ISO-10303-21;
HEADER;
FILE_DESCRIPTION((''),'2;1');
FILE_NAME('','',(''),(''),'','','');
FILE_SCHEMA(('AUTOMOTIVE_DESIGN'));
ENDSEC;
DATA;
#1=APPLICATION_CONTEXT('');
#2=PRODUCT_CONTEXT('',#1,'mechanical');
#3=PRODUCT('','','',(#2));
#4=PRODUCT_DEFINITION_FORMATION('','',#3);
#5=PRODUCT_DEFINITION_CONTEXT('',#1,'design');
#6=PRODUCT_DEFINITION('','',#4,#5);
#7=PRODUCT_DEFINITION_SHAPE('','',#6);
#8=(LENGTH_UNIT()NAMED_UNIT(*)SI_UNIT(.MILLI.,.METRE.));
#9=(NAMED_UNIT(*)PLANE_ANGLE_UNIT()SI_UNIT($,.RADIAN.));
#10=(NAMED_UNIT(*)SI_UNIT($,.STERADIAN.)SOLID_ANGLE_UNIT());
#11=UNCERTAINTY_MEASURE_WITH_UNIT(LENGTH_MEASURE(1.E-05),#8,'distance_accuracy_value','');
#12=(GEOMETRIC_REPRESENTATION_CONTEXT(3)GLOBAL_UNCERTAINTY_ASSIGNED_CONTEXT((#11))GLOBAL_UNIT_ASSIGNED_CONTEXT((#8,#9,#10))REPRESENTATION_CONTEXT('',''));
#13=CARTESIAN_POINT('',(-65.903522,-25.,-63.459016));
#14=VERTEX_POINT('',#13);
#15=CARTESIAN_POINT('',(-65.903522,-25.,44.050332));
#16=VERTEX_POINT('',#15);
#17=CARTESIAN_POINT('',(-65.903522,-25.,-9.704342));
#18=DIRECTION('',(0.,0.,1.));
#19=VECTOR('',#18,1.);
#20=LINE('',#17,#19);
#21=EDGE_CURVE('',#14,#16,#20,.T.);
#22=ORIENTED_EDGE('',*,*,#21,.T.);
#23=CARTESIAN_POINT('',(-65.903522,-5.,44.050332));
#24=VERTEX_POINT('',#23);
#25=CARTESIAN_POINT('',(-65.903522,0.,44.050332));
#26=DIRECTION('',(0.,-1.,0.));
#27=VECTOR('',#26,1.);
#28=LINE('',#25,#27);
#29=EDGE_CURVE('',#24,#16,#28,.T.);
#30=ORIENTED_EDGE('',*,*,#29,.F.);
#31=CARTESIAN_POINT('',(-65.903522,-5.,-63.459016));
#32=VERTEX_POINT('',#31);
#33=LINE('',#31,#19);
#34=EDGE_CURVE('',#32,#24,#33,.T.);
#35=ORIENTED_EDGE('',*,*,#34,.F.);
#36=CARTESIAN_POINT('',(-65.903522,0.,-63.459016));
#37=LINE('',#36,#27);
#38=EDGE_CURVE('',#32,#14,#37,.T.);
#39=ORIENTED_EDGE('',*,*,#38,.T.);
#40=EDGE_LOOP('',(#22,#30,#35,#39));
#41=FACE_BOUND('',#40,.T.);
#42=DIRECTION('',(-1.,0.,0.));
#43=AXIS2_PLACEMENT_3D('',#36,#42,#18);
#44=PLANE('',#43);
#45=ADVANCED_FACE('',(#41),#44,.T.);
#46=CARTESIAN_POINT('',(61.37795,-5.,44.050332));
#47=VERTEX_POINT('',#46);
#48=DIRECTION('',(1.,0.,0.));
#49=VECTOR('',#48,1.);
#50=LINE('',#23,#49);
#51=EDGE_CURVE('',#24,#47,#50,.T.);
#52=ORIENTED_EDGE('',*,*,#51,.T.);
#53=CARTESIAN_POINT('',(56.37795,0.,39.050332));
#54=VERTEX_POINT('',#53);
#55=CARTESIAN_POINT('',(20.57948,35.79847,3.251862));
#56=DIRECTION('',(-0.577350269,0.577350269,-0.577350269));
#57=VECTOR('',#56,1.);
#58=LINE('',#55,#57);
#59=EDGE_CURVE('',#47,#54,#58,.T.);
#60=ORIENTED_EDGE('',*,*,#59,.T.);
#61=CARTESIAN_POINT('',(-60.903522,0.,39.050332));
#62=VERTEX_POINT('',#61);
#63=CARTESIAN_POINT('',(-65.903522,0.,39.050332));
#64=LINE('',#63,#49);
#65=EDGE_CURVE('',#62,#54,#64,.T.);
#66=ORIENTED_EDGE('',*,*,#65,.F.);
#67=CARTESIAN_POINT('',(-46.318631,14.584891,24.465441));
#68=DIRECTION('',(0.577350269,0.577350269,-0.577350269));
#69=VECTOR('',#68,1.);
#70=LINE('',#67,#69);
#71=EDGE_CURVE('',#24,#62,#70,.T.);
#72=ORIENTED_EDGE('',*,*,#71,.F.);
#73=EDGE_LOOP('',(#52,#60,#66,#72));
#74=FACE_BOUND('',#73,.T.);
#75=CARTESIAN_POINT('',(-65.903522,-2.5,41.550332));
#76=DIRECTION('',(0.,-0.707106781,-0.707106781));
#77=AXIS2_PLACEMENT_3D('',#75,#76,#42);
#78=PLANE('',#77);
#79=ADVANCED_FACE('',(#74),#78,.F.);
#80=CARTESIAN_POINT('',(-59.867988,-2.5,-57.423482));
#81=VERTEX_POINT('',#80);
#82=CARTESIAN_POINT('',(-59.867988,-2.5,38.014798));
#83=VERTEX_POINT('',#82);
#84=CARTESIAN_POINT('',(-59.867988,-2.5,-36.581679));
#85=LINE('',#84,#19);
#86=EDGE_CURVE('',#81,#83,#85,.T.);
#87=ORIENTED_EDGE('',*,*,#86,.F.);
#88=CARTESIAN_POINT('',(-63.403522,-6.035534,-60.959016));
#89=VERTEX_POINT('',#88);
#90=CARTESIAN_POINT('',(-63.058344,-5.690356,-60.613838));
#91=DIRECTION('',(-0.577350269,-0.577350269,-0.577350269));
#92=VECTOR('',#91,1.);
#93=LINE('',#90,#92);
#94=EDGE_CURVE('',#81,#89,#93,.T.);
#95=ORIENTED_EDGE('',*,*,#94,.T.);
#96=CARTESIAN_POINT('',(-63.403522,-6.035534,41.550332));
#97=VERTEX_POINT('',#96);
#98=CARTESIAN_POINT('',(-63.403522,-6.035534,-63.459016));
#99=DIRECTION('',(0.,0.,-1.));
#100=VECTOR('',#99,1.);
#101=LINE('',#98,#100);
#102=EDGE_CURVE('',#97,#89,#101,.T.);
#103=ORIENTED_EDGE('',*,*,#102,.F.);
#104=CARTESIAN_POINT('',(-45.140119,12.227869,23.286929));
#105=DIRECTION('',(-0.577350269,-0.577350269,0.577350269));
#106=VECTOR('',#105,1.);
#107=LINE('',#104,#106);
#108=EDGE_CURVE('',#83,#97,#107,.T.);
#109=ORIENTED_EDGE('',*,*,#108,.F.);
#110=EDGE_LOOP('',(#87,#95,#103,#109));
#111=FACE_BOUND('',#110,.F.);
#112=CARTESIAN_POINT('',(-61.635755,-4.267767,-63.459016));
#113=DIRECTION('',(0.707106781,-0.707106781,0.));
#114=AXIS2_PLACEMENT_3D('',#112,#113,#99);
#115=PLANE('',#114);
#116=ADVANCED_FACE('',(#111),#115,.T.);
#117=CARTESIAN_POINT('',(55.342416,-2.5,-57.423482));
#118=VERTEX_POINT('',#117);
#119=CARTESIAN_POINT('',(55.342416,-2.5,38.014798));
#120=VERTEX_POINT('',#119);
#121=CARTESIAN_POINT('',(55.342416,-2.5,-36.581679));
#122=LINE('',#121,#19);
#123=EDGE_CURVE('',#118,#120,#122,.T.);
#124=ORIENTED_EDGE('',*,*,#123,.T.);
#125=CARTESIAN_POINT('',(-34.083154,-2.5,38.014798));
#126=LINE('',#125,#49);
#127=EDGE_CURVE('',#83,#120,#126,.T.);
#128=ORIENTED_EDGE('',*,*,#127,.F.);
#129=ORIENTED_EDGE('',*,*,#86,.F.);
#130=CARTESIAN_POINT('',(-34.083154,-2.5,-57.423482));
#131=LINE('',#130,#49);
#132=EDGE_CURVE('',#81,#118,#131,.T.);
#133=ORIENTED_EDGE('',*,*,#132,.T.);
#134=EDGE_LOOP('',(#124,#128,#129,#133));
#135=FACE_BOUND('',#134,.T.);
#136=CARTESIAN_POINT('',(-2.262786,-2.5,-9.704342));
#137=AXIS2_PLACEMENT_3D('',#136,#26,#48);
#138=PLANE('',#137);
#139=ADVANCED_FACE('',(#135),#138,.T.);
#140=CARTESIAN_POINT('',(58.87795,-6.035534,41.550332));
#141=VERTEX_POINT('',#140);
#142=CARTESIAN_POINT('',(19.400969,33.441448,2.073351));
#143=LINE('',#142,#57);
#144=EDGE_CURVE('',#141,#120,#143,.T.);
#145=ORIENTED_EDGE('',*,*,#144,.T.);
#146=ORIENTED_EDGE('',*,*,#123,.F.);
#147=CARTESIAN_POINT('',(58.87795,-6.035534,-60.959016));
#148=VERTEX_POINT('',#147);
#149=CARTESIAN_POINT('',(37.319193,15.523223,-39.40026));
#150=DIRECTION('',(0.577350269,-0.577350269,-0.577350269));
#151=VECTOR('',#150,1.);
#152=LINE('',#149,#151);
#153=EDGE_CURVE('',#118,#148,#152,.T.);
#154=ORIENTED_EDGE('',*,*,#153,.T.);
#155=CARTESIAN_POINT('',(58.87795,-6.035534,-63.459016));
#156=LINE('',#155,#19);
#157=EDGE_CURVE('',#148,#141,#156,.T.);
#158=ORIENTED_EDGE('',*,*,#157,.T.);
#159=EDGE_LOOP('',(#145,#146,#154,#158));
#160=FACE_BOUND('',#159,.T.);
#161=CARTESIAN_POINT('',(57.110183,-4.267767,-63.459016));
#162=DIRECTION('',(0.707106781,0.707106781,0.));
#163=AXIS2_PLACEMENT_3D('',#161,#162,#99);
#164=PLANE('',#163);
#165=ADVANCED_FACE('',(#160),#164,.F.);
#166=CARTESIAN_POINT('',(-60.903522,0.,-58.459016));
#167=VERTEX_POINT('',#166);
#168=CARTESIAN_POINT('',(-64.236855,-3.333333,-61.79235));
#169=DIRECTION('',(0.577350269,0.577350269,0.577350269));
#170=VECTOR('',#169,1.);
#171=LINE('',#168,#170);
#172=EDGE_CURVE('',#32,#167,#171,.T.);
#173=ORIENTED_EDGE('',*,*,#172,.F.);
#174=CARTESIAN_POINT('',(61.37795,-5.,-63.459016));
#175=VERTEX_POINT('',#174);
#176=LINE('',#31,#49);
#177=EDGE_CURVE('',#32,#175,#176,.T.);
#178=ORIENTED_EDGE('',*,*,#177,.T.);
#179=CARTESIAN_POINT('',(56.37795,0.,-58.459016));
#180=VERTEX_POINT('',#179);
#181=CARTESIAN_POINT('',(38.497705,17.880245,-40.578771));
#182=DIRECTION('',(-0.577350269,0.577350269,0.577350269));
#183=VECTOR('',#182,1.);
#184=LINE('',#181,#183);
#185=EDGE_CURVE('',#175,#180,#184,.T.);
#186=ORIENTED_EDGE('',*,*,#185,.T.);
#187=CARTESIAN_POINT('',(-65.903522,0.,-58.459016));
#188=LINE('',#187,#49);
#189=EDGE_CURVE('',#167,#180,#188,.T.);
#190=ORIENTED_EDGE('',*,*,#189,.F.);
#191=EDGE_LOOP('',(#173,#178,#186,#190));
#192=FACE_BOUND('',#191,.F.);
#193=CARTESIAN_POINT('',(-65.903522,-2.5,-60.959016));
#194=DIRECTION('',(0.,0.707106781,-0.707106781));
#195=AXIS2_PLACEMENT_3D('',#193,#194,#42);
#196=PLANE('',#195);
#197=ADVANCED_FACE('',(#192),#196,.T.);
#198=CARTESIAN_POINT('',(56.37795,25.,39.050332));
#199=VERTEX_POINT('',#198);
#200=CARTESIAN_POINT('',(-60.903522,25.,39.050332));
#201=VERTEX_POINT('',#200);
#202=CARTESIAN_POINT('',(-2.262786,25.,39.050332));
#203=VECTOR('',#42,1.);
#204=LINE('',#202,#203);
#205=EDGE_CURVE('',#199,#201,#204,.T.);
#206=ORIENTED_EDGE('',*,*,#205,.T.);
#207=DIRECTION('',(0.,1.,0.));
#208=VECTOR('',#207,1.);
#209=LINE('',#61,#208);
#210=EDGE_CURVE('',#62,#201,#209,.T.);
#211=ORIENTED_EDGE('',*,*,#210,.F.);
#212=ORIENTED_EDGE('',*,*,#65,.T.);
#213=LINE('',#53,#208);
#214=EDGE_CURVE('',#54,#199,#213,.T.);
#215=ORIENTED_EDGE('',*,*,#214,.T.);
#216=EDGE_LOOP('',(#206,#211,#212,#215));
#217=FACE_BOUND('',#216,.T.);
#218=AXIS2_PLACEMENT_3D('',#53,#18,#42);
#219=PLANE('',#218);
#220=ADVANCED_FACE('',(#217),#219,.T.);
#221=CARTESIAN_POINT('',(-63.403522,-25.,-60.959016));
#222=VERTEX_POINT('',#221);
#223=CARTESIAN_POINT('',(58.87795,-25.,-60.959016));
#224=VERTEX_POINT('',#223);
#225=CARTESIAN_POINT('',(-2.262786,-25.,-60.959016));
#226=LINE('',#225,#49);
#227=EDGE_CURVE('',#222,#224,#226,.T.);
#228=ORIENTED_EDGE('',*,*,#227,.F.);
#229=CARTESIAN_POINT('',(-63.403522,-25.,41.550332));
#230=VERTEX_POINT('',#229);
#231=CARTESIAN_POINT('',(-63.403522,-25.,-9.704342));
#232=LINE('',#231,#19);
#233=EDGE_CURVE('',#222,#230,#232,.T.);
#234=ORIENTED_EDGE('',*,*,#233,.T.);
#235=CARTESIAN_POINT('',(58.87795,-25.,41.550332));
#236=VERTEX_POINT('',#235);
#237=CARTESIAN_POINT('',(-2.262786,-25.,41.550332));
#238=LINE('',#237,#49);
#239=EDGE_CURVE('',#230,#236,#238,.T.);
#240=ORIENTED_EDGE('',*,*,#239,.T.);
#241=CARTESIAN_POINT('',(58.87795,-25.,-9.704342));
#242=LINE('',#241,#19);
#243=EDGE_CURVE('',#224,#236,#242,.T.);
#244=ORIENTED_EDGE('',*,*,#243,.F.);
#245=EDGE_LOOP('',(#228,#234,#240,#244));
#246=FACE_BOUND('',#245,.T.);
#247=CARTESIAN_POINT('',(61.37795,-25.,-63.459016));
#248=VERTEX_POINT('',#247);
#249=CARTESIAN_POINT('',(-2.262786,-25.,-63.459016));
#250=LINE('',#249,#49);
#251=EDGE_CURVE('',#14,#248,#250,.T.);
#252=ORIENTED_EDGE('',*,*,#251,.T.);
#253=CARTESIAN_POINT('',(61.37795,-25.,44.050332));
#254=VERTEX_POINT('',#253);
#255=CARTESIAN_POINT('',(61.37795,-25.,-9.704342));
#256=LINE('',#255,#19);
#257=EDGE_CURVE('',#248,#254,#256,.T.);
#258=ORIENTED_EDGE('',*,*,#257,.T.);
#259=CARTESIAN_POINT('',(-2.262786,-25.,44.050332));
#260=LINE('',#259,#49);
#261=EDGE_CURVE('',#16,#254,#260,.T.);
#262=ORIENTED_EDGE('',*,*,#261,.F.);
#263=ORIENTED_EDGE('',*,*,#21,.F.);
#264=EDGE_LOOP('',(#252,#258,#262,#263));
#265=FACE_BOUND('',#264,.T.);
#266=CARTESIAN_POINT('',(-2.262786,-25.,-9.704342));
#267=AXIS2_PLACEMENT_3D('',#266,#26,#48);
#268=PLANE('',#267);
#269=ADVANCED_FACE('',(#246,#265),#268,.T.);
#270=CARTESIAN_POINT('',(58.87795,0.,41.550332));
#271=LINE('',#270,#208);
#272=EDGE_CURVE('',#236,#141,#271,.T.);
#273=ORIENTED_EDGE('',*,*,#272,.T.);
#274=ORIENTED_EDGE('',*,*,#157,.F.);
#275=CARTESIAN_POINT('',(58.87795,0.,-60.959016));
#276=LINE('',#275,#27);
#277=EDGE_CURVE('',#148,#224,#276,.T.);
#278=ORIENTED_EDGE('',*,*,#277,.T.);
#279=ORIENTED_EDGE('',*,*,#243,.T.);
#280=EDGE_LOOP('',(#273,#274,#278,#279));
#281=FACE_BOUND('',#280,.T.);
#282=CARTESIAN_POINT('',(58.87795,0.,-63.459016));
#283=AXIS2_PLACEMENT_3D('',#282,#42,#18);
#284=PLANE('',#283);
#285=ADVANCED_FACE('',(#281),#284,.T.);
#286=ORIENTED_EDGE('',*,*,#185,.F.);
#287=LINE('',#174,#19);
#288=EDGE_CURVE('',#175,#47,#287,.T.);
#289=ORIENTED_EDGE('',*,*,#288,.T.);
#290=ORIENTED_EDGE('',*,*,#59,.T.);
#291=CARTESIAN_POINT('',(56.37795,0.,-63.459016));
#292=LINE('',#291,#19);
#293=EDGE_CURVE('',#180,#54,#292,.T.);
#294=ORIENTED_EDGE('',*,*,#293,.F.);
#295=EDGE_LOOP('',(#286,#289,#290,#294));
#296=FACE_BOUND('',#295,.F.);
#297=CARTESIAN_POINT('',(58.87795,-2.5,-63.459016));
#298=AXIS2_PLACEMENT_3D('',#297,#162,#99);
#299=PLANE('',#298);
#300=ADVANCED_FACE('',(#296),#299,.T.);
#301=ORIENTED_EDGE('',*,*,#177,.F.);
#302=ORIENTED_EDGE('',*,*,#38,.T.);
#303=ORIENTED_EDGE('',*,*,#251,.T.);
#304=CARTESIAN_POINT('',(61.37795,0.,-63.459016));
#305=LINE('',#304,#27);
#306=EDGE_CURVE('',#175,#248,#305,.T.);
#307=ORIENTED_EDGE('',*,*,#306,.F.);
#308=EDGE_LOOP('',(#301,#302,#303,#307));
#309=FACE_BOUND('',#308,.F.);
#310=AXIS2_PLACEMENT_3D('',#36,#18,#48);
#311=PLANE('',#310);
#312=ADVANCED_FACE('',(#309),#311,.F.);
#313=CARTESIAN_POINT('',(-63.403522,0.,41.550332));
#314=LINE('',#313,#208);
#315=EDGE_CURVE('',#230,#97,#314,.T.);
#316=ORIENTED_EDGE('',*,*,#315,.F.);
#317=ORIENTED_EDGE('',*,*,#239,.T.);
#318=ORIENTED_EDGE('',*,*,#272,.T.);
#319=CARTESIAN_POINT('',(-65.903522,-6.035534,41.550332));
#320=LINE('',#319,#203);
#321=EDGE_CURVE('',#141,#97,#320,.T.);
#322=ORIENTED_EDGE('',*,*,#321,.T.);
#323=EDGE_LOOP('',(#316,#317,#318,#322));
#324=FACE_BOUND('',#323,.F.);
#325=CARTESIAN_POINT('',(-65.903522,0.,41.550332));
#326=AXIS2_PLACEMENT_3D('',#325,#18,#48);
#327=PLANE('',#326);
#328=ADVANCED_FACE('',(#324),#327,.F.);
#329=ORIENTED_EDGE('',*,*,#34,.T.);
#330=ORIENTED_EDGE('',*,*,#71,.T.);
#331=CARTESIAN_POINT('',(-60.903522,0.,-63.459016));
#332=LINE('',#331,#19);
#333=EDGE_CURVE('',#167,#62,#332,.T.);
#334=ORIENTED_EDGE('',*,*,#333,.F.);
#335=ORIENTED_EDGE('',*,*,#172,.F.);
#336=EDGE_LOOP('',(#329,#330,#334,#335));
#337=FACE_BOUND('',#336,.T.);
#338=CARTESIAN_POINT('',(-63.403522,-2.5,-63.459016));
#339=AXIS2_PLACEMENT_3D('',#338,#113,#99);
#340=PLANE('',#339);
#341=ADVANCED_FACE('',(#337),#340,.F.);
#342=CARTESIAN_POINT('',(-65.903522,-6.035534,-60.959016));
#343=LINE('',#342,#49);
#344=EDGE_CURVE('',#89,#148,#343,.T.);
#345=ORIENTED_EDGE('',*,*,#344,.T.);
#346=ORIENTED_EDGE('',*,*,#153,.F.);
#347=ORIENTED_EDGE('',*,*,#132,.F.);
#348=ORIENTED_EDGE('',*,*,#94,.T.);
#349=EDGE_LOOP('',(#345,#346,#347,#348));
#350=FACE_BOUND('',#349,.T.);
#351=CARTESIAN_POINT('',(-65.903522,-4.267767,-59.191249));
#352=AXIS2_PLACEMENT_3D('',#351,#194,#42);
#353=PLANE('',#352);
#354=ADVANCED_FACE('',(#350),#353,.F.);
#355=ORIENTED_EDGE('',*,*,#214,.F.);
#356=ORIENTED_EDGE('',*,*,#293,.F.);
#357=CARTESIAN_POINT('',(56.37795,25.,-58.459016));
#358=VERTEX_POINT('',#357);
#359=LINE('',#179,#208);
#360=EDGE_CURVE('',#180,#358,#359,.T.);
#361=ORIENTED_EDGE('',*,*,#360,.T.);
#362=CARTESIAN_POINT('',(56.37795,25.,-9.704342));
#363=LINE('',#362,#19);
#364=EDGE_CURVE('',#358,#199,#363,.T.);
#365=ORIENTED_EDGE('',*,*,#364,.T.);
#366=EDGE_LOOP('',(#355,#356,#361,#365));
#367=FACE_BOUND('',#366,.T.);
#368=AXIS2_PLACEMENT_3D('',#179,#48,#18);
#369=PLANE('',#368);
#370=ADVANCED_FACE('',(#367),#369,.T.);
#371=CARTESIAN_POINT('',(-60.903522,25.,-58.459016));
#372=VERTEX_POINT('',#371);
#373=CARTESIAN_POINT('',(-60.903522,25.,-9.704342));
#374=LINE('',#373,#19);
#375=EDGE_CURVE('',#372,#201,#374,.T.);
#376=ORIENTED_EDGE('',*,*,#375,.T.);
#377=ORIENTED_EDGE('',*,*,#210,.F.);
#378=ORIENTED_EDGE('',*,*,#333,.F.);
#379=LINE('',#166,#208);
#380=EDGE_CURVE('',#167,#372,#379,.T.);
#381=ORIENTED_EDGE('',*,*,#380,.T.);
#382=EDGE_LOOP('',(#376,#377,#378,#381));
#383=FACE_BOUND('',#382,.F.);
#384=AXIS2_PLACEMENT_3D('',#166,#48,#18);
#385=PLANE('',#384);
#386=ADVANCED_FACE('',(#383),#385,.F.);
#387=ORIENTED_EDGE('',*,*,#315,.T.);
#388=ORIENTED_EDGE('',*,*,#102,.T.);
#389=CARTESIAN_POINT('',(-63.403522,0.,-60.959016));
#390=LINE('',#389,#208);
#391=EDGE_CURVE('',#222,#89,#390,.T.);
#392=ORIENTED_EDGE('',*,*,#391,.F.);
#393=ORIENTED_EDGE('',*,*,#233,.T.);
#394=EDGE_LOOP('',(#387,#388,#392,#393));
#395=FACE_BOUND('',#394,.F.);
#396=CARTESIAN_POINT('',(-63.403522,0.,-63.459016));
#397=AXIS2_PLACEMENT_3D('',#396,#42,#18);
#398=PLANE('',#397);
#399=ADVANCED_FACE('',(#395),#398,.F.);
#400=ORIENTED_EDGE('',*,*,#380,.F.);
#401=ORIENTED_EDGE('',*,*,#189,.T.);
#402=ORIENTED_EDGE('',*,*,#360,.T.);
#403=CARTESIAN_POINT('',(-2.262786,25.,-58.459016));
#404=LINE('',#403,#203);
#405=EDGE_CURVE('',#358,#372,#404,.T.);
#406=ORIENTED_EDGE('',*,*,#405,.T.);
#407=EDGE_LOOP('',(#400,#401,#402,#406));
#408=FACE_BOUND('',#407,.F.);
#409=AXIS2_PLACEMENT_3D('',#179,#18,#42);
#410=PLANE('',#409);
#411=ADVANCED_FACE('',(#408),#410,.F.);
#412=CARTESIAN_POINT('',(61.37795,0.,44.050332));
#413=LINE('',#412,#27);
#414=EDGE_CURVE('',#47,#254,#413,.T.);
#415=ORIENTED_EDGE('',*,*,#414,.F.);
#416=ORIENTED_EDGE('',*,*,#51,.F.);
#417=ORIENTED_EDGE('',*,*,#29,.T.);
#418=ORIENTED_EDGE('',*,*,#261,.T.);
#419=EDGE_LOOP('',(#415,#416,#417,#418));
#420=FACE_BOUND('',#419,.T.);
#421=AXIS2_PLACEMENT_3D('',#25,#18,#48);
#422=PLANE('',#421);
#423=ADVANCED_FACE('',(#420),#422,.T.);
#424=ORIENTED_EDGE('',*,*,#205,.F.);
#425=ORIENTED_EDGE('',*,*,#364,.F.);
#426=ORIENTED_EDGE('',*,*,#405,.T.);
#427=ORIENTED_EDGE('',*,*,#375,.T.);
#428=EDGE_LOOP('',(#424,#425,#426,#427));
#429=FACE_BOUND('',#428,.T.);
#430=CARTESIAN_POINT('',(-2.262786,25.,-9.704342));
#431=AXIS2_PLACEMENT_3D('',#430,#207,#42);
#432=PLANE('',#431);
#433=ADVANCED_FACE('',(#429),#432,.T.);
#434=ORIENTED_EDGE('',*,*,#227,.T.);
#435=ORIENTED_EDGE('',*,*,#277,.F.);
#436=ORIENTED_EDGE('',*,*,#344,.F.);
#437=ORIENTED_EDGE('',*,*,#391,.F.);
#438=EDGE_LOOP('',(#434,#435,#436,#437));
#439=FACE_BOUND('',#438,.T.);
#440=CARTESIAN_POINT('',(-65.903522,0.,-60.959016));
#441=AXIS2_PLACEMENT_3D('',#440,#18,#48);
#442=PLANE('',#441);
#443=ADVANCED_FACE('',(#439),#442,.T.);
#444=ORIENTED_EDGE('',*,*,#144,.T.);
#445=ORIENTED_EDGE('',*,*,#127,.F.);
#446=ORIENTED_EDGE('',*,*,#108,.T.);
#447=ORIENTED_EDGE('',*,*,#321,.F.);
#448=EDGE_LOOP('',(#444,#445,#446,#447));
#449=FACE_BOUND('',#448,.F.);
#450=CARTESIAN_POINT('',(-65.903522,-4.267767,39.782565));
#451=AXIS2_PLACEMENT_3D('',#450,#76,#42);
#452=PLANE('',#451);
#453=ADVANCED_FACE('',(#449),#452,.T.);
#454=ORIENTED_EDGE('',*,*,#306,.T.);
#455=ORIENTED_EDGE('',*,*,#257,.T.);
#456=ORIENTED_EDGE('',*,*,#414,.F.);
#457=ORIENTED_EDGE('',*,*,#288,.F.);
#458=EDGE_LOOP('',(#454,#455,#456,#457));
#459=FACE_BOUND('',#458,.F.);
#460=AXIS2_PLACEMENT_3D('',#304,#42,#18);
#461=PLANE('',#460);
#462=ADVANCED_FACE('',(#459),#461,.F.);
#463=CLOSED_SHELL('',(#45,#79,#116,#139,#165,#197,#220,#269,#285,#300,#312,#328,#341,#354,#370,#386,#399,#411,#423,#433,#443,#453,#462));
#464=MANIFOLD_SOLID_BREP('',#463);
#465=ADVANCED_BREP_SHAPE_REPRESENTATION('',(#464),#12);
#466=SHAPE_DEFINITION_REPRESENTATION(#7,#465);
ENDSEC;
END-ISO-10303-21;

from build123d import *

# Parameters (mm, degrees)
F0_W     = 127.2814720869
F0_H     = 107.5093485415
F1_DEPTH = 25
F2_SIZE  = 5
F3_T     = -2.5
F4_W     = 117.2814720869
F4_H     = 97.5093485415
F5_DEPTH = 25


with BuildPart() as f1:
    # F0 (on Front) → F1 (new body)
    with BuildSketch(Plane.XZ):
        with Locations((-2.2627860308, -9.7043421119)):
            Rectangle(F0_W, F0_H)
    extrude(amount=F1_DEPTH)

    # F2
    f2_edges = [f1.edges().sort_by_distance(p)[0] for p in [
        (61.37795, 0, -9.704342),
        (-2.262786, 0, -63.459016),
        (-65.903522, 0, -9.704342),
        (-2.262786, 0, 44.050332),
    ]]
    chamfer(f2_edges, length=F2_SIZE)

    # F3
    f3_openings = [f1.faces().sort_by_distance(p)[0] for p in [
        (-2.262786, -25, -9.704342),
    ]]
    offset(amount=F3_T, openings=f3_openings)

    # F4 (on face) → F5 (join)
    with BuildSketch(Plane(origin=(0, 0, 0), x_dir=(-1, 0, 0), z_dir=(0, 1, 0))):
        with Locations((2.2627860308, -9.7043421119)):
            Rectangle(F4_W, F4_H)
    extrude(amount=F5_DEPTH)


solid = f1.part
